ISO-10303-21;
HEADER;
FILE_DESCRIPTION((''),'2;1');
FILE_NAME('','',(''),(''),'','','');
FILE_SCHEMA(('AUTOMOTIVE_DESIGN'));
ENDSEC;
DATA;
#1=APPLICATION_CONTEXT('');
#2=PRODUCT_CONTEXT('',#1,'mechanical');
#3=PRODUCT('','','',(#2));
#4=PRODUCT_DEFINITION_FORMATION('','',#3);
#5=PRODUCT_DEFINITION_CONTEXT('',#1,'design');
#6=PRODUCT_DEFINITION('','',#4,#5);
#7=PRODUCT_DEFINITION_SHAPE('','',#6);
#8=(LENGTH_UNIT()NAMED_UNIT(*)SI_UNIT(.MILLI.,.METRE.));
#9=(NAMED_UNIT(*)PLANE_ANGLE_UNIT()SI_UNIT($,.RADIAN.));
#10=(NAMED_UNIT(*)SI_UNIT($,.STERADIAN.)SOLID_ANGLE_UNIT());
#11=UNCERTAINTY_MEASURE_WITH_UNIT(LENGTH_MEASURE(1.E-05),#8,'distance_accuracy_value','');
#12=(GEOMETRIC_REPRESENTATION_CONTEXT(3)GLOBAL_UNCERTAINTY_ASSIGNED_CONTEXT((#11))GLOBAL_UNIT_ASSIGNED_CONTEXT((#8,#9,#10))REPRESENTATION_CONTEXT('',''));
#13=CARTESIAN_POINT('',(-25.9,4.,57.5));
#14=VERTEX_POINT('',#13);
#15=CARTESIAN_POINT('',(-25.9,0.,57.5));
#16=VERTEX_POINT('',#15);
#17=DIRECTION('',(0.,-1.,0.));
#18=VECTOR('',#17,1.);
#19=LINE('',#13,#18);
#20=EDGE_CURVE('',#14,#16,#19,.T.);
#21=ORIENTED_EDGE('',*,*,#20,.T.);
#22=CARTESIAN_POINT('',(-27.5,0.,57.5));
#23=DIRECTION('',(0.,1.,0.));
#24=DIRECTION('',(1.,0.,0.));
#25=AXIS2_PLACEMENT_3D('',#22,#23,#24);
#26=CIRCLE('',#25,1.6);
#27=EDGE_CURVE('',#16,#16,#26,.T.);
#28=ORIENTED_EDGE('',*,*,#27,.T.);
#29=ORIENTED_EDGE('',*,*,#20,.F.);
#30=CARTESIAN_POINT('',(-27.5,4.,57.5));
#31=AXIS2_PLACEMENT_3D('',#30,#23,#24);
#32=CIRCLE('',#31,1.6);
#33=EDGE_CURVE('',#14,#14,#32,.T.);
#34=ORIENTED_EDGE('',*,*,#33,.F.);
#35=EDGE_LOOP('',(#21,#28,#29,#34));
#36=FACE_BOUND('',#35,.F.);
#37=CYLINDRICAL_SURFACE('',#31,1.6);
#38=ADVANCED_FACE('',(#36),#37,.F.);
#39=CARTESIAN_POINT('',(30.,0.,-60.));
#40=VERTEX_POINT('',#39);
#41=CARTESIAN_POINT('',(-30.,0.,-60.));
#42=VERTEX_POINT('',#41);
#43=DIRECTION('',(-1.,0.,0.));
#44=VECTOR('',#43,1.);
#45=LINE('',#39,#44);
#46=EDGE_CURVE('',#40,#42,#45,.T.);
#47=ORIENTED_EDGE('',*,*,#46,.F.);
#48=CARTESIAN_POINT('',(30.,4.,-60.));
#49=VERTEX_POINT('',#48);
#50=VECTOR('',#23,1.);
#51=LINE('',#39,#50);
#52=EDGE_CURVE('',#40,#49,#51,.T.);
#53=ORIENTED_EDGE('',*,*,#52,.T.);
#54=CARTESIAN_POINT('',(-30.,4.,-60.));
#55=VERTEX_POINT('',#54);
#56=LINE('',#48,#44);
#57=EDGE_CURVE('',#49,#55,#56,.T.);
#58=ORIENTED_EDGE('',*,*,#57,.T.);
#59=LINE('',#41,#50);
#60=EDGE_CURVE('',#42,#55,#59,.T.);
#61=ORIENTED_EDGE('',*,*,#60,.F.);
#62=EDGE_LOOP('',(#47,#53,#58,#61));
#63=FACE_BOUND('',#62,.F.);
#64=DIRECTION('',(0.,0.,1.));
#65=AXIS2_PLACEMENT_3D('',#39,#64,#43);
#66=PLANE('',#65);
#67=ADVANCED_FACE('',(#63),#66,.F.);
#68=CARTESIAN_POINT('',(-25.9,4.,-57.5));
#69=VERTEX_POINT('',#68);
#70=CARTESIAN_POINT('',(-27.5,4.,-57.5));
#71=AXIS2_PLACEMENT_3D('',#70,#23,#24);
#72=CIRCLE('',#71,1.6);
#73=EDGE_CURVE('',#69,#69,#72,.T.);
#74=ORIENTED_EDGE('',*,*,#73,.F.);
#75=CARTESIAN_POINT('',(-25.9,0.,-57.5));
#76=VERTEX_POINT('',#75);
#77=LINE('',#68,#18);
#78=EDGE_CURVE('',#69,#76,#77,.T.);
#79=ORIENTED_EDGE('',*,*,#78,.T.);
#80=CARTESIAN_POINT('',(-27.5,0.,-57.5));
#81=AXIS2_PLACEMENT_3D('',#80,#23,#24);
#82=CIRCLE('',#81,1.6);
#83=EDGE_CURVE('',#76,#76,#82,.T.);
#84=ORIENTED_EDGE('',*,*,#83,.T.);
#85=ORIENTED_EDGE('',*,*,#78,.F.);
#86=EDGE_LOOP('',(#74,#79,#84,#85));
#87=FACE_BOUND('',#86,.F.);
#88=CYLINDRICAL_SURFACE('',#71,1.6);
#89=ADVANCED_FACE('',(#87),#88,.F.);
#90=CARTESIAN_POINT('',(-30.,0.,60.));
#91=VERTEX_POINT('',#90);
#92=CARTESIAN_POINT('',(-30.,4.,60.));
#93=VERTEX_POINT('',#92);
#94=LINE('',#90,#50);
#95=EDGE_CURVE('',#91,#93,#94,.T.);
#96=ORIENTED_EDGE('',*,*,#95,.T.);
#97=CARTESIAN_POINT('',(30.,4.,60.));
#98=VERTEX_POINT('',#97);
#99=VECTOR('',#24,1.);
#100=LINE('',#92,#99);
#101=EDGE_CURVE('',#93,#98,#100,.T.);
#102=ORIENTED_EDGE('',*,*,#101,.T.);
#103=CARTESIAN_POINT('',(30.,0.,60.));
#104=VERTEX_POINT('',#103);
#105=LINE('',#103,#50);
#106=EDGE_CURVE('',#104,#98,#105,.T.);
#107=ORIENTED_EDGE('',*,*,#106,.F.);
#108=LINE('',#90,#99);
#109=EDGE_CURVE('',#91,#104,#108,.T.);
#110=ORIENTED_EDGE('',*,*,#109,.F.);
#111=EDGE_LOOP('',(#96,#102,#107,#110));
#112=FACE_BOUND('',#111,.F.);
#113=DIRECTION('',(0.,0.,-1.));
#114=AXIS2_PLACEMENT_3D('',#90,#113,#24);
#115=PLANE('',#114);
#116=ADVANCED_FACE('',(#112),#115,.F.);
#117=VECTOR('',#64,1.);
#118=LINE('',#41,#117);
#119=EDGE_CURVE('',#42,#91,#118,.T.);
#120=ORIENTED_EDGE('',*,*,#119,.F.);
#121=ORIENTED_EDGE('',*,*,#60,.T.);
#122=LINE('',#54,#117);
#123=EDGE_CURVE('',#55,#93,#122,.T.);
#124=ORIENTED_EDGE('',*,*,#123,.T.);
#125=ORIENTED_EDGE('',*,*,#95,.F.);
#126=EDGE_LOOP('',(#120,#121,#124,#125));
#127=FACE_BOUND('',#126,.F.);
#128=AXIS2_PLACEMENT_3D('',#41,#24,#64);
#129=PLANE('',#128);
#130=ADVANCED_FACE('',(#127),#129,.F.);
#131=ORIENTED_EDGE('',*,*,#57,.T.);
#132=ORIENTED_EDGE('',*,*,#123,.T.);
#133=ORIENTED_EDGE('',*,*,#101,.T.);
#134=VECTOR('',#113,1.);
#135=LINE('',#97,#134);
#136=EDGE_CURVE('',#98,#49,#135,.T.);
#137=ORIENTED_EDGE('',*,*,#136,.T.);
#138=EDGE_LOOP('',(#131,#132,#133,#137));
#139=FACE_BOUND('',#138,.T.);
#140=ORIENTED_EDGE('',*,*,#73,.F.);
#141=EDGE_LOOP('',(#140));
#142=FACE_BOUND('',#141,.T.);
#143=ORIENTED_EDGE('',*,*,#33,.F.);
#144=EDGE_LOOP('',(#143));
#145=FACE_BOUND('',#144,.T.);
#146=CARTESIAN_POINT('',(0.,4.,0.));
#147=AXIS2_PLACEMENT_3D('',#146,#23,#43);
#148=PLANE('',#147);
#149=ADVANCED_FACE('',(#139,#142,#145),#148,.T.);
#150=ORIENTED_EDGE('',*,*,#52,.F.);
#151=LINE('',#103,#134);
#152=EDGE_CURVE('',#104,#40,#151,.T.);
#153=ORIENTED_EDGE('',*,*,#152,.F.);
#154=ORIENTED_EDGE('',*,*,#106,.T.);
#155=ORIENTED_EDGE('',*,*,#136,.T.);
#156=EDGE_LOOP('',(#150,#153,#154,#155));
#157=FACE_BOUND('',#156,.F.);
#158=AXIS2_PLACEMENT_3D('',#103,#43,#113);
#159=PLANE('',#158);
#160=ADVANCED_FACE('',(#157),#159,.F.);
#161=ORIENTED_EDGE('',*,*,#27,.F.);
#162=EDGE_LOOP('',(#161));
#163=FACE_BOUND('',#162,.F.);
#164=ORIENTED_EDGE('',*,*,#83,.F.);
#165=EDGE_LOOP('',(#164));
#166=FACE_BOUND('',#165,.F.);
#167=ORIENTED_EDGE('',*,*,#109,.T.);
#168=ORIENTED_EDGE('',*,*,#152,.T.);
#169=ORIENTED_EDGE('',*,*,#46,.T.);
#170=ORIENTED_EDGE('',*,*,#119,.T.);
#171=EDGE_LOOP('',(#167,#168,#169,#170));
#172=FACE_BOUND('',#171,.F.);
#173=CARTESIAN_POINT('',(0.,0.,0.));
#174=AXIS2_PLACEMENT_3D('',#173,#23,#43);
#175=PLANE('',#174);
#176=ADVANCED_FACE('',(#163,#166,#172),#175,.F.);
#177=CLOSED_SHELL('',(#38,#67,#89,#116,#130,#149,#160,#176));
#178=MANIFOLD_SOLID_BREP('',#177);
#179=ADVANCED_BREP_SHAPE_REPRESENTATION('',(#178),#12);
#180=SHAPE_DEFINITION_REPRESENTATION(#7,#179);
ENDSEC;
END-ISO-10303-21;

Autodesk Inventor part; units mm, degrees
ref_plane "YZ Plane" through (0, 0, 0) normal (1, 0, 0) x (0, 1, 0)
ref_plane "XZ Plane" through (0, 0, 0) normal (0, 1, 0) x (-1, 0, 0)
ref_plane "XY Plane" through (0, 0, 0) normal (0, 0, 1) x (1, 0, 0)
sketch "Эскиз1" plane through (0, 0, 0) normal (0, 1, 0) x (-1, 0, 0)
  line L0 (-30, -60) -> (30, -60)
  line L1 (30, -60) -> (30, 60)
  line L2 (30, 60) -> (-30, 60)
  line L3 (-30, 60) -> (-30, -60)
  line L4 (-30, -60) -> (30, 60) construction
  line L5 (30, -60) -> (-30, 60) construction
  point P0 (0, 0)
  dimension "d0" = 60
  dimension "d1" = 120
extrude "Выдавливание1" add sketch "Эскиз1" along normal blind 4
sketch "Эскиз2" plane through (0, 4, 0) normal (0, 1, 0) x (1, 0, 0)
  line L0 (-27.5, -57.5) -> (-27.5, 57.5) construction
  line L1 (30, -60) -> (30, 60) projected
  line L2 (30, 0) -> (-30, 0) construction
  line L3 (-30, 60) -> (-30, -60) projected
  circle A0 centre (-27.5, -57.5) radius 1.6
  circle A1 centre (-27.5, 57.5) radius 1.6
  point P0 (0, 0)
  point P1 (-27.5, 0)
  dimension "d4" = 115
  dimension "d5" = 3.2
  dimension "d6" = 3.2
  dimension "d7" = 2.5
extrude "Выдавливание2" cut sketch "Эскиз2" against normal blind 4
properties part number "плата"
